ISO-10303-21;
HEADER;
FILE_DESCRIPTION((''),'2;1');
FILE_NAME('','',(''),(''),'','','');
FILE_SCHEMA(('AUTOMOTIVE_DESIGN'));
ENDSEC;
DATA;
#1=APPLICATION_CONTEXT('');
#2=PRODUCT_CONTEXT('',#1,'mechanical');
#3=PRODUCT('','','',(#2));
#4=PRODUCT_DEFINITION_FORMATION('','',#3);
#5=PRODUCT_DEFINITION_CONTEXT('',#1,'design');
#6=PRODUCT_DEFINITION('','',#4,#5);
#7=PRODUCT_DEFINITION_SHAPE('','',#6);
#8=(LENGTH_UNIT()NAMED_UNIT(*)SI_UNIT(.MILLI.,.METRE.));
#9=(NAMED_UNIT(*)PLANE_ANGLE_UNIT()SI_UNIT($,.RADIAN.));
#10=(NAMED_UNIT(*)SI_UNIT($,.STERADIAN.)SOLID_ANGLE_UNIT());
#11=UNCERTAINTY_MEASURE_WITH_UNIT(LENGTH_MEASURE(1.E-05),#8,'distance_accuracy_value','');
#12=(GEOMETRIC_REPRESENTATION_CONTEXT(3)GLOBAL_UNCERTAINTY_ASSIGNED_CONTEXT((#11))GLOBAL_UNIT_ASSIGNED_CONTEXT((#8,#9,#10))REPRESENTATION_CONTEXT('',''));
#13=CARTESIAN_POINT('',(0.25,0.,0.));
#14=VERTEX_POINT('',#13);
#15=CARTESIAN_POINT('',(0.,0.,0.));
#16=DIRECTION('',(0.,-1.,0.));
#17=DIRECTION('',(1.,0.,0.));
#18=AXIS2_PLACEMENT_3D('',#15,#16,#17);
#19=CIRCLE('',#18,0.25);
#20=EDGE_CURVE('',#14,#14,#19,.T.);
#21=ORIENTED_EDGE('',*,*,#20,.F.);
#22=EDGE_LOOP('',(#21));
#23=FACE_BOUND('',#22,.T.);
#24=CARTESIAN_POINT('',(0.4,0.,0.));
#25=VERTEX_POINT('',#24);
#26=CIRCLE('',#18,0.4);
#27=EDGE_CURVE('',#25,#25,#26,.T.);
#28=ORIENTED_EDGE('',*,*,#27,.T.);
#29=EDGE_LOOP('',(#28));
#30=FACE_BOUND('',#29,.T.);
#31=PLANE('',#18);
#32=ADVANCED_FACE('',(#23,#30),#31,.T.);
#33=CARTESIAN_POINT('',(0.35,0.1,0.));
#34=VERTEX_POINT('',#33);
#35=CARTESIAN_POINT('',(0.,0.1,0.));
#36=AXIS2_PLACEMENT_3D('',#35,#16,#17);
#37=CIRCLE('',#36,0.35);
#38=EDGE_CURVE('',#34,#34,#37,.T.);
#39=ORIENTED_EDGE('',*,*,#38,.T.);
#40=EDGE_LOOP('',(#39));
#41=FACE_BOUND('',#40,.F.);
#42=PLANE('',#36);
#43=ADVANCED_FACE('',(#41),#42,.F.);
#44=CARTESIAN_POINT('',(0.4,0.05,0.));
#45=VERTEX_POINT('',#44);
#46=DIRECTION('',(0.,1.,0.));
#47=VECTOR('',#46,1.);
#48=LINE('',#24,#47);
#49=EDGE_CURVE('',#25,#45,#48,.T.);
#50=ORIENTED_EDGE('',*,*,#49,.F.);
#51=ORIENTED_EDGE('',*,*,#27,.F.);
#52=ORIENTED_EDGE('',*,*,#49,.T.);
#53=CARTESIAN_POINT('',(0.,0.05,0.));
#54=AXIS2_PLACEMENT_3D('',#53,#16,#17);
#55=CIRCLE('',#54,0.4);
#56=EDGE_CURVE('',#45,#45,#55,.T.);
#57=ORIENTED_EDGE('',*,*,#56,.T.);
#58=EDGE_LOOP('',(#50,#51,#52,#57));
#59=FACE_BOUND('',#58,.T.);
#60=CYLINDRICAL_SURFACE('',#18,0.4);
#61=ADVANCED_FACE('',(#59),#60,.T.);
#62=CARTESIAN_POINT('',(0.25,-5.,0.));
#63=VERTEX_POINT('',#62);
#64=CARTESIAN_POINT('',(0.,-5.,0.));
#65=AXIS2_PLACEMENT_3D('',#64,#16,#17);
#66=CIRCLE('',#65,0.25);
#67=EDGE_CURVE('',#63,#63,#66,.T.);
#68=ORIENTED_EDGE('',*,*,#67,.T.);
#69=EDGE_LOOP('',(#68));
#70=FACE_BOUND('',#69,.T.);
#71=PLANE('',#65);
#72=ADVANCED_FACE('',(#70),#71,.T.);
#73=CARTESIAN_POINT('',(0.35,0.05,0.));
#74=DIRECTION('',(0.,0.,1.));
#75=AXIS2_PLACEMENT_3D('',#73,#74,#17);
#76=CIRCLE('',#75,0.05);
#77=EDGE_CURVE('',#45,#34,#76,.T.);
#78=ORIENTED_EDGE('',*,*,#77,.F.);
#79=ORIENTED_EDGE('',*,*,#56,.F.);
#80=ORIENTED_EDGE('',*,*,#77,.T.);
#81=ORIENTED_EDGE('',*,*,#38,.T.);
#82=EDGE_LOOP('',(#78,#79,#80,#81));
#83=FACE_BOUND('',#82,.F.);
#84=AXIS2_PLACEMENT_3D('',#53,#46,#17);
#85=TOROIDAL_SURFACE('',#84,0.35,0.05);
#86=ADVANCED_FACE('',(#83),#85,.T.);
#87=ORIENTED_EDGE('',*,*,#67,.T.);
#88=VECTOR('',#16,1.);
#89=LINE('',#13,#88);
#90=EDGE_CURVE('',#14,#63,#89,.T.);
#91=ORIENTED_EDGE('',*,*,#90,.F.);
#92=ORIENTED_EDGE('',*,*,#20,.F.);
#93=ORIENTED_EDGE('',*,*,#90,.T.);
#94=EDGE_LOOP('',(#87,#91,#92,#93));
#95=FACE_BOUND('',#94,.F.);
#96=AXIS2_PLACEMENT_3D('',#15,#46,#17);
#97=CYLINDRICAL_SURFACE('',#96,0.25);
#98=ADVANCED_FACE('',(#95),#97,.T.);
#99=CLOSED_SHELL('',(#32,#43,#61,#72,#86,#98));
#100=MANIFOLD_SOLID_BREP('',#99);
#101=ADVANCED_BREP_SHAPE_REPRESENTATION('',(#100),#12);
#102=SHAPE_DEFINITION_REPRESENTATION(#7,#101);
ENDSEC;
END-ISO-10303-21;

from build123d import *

# Parameters (mm, degrees)
F0_R     = 0.4
F1_DEPTH = 0.1
F2_R     = 0.05
F3_R     = 0.25
F4_DEPTH = 5


with BuildPart() as f1:
    # F0 (on Front) → F1 (new body)
    with BuildSketch(Plane.XZ):
        Circle(F0_R)
    extrude(amount=-F1_DEPTH)

    # F2
    f2_edges = [f1.edges().sort_by_distance(p)[0] for p in [
        (-0.4, 0.1, 0),
    ]]
    fillet(f2_edges, radius=F2_R)

    # F3 (on face) → F4 (join)
    with BuildSketch(Plane.XZ):
        Circle(F3_R)
    extrude(amount=F4_DEPTH)


solid = f1.part
